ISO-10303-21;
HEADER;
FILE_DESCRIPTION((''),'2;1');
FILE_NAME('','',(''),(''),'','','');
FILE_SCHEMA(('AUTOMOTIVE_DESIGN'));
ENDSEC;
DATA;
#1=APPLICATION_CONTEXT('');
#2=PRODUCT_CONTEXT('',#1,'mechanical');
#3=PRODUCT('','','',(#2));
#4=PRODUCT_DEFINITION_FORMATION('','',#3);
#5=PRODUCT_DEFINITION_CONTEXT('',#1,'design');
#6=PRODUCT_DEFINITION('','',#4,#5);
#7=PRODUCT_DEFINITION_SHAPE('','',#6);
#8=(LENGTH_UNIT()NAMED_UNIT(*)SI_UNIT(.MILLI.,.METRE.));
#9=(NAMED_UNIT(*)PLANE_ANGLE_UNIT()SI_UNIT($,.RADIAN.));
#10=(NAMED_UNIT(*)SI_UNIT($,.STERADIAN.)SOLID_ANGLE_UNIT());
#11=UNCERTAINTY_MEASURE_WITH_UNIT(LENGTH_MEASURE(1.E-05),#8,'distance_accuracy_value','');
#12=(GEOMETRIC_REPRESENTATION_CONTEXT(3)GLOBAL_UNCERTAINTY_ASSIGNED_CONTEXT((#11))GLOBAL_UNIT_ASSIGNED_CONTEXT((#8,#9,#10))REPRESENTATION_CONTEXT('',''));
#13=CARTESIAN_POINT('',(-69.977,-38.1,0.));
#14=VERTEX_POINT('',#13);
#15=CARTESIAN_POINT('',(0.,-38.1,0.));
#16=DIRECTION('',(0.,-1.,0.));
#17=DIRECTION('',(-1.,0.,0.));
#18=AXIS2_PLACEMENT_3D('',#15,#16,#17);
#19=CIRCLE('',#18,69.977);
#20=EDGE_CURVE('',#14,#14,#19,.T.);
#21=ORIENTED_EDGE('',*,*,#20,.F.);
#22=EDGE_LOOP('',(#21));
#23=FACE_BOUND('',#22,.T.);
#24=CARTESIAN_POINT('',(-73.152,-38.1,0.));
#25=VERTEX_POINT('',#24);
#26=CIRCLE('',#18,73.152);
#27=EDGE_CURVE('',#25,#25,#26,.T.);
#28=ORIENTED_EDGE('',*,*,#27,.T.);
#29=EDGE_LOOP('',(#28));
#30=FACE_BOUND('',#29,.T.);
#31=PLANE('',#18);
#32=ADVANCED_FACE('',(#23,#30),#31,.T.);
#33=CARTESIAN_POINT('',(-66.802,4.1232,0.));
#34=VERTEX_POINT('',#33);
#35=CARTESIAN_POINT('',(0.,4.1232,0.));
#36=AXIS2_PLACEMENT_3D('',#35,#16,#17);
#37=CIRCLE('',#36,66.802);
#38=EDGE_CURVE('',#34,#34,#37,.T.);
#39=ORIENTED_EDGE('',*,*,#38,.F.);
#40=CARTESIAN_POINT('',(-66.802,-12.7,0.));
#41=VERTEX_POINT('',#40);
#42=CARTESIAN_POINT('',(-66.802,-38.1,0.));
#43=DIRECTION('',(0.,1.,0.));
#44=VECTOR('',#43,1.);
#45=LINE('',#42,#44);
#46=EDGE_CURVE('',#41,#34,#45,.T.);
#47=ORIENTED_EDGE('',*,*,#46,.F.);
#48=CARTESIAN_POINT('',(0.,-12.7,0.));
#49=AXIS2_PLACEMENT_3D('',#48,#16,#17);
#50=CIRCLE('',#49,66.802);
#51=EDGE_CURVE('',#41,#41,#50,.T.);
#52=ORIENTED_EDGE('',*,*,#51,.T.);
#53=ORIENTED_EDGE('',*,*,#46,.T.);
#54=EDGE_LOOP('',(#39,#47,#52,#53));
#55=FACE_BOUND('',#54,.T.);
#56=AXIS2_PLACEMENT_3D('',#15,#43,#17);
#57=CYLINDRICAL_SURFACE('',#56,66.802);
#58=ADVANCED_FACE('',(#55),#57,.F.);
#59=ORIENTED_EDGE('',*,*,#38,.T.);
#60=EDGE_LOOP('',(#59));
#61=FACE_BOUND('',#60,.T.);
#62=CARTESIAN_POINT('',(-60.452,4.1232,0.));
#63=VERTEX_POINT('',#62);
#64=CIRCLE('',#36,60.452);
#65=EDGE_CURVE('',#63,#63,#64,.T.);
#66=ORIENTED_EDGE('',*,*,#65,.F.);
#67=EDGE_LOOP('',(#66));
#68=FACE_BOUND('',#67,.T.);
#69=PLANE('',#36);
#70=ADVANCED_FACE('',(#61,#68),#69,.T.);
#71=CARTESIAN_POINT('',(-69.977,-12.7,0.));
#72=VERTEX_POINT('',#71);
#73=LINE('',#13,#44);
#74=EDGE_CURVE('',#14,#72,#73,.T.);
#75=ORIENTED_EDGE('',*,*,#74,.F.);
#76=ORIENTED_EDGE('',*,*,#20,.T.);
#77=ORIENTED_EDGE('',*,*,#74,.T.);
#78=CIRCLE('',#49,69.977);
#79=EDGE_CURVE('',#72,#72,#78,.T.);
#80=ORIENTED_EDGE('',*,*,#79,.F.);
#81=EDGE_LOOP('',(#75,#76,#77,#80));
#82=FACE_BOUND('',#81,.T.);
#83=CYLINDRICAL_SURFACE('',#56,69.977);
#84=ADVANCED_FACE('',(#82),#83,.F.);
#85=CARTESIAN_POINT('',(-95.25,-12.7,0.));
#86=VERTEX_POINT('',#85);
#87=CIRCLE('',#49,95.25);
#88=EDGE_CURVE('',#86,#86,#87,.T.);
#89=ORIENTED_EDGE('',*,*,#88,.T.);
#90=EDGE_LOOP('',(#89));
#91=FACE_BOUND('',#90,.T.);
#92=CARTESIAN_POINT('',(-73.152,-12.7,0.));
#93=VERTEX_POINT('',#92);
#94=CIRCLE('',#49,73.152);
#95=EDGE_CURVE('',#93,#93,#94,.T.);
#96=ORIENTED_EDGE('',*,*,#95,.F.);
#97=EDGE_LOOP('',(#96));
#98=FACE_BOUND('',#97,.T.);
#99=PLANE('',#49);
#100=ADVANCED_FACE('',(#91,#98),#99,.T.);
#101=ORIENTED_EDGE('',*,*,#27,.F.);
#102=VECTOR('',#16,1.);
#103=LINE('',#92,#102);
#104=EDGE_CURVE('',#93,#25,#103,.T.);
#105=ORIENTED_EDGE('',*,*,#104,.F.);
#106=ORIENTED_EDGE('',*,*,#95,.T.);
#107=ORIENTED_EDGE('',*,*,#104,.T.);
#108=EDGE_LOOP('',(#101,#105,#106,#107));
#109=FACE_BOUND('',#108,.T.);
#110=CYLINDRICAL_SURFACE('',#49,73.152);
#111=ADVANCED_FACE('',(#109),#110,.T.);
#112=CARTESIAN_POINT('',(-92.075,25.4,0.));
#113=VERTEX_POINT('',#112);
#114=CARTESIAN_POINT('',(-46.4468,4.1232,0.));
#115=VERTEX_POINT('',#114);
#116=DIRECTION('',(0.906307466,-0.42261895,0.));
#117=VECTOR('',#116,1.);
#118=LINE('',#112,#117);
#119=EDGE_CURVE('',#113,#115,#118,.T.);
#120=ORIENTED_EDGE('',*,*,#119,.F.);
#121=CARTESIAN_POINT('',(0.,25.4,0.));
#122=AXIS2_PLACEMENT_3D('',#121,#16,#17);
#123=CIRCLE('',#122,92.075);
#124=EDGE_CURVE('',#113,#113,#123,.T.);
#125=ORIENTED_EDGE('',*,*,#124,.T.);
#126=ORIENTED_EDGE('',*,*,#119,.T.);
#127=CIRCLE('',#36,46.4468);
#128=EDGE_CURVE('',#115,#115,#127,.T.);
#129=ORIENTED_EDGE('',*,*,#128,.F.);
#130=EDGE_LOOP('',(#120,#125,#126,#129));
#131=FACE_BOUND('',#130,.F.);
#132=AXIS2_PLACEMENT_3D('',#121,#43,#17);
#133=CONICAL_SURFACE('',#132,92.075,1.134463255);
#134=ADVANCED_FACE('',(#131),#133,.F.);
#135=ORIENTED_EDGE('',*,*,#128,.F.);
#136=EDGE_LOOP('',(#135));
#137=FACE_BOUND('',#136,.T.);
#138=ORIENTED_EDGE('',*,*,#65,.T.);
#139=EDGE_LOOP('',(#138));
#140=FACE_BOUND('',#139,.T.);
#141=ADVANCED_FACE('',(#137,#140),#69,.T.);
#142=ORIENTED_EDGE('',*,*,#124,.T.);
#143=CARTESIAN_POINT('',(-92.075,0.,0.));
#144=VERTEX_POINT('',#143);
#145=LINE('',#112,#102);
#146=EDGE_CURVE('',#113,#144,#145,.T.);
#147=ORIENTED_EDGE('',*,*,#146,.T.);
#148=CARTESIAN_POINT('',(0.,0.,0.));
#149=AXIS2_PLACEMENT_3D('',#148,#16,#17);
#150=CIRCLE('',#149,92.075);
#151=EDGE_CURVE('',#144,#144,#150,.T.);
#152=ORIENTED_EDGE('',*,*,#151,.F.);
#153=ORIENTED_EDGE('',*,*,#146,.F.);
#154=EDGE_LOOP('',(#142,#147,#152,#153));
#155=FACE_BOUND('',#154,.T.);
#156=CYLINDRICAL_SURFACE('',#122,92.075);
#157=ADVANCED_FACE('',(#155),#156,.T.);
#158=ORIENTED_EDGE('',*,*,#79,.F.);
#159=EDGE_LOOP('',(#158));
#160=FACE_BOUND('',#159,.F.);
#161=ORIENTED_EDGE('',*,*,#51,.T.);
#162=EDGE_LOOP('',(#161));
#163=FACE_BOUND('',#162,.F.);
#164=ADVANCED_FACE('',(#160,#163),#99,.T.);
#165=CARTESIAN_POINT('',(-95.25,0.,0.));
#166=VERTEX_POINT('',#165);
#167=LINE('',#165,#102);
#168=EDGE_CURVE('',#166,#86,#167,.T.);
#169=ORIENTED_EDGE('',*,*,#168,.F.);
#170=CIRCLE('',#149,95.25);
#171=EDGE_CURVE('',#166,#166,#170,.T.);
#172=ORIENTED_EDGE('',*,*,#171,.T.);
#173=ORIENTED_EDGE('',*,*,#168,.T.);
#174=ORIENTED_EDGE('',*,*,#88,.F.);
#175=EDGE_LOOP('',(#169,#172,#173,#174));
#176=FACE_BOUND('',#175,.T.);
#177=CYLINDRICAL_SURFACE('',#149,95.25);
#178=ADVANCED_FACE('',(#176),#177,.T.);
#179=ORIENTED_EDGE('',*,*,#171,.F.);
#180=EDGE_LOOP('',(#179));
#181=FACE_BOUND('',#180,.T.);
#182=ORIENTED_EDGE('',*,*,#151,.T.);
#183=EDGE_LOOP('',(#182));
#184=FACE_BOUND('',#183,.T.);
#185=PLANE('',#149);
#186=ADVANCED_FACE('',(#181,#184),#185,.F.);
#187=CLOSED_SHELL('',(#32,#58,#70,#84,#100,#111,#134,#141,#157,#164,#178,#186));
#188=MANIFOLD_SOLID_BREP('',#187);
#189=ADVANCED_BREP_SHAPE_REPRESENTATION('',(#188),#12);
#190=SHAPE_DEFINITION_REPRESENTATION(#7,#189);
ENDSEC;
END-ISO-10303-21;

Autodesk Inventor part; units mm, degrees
ref_plane "YZ Plane" through (0, 0, 0) normal (1, 0, 0) x (0, 1, 0)
ref_plane "XZ Plane" through (0, 0, 0) normal (0, 1, 0) x (-1, 0, 0)
ref_plane "XY Plane" through (0, 0, 0) normal (0, 0, 1) x (1, 0, 0)
sketch "Sketch1" plane through (0, 0, 0) normal (0, 0, 1) x (1, 0, 0)
  line L0 (0, 25.4) -> (-28.702, 25.4) construction
  line L1 (0, 25.4) -> (-95.25, 25.4) construction
  line L2 (-95.25, 25.4) -> (-92.075, 25.4) construction
  line L3 (-92.075, 25.4) -> (-84.455, 21.8467) construction
  line L4 (-92.075, 25.4) -> (-92.075, 22.4389) construction
  line L5 (-92.075, 0) -> (-95.25, 0)
  line L6 (-28.702, 59.0535) -> (-28.702, -92.5226) construction
  arc A0 (-28.9184, -9.8402) -> (-32.3684, -2.4417) centre (-35.052, -8.1967) ccw
  line L7 (-76.2, -186.2977) -> (-28.702, -9.0327)
  line L8 (-92.075, 25.4) -> (-92.075, 0)
  line L9 (-92.075, 25.4) -> (-32.3684, -2.4417)
  line L10 (-28.702, -8.1967) -> (-60.452, -8.1967) construction
  line L11 (-60.452, -127.5253) -> (-54.102, -127.5253) construction
  line L12 (-54.102, -127.5253) -> (-54.102, -103.8268) construction
  line L13 (-54.102, -103.8268) -> (-60.452, -103.8268)
  line L14 (-60.452, 10.654) -> (-60.452, 1.129) construction
  line L15 (-60.452, 10.654) -> (-60.452, 4.1232) construction
  line L16 (-60.452, 4.1232) -> (-46.4468, 4.1232)
  line L17 (-95.25, 0) -> (-95.25, -12.7) construction
  line L18 (-60.452, -12.7) -> (-73.152, -12.7) construction
  line L19 (-95.25, -12.7) -> (-95.25, -25.4) construction
  line L20 (-95.25, -25.4) -> (-95.25, -88.9) construction
  line L21 (-95.25, -88.9) -> (-82.55, -88.9) construction
  line L22 (-82.55, -88.9) -> (-82.55, -25.4) construction
  line L23 (-95.25, -25.4) -> (-82.55, -25.4)
  line L24 (-82.55, -25.4) -> (-82.55, -88.9)
  line L25 (-82.55, -88.9) -> (-95.25, -88.9)
  line L26 (-95.25, -12.7) -> (-73.152, -12.7)
  line L27 (-73.152, -139.3746) -> (-63.627, -139.3746)
  line L28 (-82.55, -88.9) -> (-82.55, -186.2977)
  line L29 (-82.55, -186.2977) -> (-76.2, -186.2977)
  line L30 (-73.152, -12.7) -> (-73.152, -139.3746)
  line L31 (-88.9, -25.4) -> (-88.9, -31.3436)
  line L32 (-88.9, -31.3436) -> (-95.25, -31.3436)
  line L33 (-95.25, 0) -> (-95.25, -25.4)
  line L34 (-95.25, -31.3436) -> (-95.25, -88.9)
  line L35 (-88.9, -160.8977) -> (-88.9, -221.8454)
  line L36 (-28.9184, -9.8402) -> (-85.725, -221.8454)
  line L37 (-85.725, -221.8454) -> (-88.9, -221.8454)
  line L38 (-82.55, -160.8977) -> (-88.9, -160.8977)
  line L39 (-66.802, -38.1) -> (-66.802, 4.1232)
  line L40 (-66.802, 4.1232) -> (-60.452, 4.1232)
  line L41 (-66.802, -38.1) -> (-60.452, -103.8268)
  line L42 (-60.452, 10.654) -> (-60.452, 4.1232) construction
  line L43 (-60.452, -8.1967) -> (-60.452, -12.7) construction
  line L44 (-60.452, -103.8268) -> (-60.452, -127.5253) construction
  line L45 (0, 59.6457) -> (0, -91.9304) construction
  line L46 (-73.152, -38.1) -> (-69.977, -38.1)
  line L47 (-69.977, -38.1) -> (-69.977, -12.7)
  line L48 (-66.802, -12.7) -> (-69.977, -12.7)
  point P0 (0, 0)
  point P1 (-95.25, -256.5049)
  point P2 (-88.7095, 22.4389)
  dimension "d0" = 28.702
  dimension "d1" = 95.25
  dimension "d2" = 3.175
  dimension "d3" = 25
  dimension "d5" = 25.4
  dimension "d6" = 25.4
  dimension "d8" = 12.7
  dimension "d12" = 31.75
  dimension "d13" = 6.35
  dimension "d16" = 12.7
  dimension "d17" = 12.7
  dimension "d18" = 12.7
  dimension "d19" = 63.5
  dimension "d20" = 12.7
  dimension "d22" = 9.525
  dimension "d23" = 6.35
  dimension "d25" = 5.9436
  dimension "d27" = 3.175
  dimension "d28" = 6.35
  dimension "d29" = 25.4
  dimension "d30" = 107.95
  dimension "d31" = 6.35
  dimension "d33" = 20.3552
  dimension "d34" = 15
  dimension "d35" = 3.175
  dimension "d36" = 25.4
revolve "Revolution1" add sketch "Sketch1" angle 360 about axis through (0, 59.6457, 0) along (0, -1, 0) contours L8 L9 L16 L40 L39 L48 L47 L46 L30 L26 L33 L5
properties part number "phenolic_top" material "Phenolic Resin"
